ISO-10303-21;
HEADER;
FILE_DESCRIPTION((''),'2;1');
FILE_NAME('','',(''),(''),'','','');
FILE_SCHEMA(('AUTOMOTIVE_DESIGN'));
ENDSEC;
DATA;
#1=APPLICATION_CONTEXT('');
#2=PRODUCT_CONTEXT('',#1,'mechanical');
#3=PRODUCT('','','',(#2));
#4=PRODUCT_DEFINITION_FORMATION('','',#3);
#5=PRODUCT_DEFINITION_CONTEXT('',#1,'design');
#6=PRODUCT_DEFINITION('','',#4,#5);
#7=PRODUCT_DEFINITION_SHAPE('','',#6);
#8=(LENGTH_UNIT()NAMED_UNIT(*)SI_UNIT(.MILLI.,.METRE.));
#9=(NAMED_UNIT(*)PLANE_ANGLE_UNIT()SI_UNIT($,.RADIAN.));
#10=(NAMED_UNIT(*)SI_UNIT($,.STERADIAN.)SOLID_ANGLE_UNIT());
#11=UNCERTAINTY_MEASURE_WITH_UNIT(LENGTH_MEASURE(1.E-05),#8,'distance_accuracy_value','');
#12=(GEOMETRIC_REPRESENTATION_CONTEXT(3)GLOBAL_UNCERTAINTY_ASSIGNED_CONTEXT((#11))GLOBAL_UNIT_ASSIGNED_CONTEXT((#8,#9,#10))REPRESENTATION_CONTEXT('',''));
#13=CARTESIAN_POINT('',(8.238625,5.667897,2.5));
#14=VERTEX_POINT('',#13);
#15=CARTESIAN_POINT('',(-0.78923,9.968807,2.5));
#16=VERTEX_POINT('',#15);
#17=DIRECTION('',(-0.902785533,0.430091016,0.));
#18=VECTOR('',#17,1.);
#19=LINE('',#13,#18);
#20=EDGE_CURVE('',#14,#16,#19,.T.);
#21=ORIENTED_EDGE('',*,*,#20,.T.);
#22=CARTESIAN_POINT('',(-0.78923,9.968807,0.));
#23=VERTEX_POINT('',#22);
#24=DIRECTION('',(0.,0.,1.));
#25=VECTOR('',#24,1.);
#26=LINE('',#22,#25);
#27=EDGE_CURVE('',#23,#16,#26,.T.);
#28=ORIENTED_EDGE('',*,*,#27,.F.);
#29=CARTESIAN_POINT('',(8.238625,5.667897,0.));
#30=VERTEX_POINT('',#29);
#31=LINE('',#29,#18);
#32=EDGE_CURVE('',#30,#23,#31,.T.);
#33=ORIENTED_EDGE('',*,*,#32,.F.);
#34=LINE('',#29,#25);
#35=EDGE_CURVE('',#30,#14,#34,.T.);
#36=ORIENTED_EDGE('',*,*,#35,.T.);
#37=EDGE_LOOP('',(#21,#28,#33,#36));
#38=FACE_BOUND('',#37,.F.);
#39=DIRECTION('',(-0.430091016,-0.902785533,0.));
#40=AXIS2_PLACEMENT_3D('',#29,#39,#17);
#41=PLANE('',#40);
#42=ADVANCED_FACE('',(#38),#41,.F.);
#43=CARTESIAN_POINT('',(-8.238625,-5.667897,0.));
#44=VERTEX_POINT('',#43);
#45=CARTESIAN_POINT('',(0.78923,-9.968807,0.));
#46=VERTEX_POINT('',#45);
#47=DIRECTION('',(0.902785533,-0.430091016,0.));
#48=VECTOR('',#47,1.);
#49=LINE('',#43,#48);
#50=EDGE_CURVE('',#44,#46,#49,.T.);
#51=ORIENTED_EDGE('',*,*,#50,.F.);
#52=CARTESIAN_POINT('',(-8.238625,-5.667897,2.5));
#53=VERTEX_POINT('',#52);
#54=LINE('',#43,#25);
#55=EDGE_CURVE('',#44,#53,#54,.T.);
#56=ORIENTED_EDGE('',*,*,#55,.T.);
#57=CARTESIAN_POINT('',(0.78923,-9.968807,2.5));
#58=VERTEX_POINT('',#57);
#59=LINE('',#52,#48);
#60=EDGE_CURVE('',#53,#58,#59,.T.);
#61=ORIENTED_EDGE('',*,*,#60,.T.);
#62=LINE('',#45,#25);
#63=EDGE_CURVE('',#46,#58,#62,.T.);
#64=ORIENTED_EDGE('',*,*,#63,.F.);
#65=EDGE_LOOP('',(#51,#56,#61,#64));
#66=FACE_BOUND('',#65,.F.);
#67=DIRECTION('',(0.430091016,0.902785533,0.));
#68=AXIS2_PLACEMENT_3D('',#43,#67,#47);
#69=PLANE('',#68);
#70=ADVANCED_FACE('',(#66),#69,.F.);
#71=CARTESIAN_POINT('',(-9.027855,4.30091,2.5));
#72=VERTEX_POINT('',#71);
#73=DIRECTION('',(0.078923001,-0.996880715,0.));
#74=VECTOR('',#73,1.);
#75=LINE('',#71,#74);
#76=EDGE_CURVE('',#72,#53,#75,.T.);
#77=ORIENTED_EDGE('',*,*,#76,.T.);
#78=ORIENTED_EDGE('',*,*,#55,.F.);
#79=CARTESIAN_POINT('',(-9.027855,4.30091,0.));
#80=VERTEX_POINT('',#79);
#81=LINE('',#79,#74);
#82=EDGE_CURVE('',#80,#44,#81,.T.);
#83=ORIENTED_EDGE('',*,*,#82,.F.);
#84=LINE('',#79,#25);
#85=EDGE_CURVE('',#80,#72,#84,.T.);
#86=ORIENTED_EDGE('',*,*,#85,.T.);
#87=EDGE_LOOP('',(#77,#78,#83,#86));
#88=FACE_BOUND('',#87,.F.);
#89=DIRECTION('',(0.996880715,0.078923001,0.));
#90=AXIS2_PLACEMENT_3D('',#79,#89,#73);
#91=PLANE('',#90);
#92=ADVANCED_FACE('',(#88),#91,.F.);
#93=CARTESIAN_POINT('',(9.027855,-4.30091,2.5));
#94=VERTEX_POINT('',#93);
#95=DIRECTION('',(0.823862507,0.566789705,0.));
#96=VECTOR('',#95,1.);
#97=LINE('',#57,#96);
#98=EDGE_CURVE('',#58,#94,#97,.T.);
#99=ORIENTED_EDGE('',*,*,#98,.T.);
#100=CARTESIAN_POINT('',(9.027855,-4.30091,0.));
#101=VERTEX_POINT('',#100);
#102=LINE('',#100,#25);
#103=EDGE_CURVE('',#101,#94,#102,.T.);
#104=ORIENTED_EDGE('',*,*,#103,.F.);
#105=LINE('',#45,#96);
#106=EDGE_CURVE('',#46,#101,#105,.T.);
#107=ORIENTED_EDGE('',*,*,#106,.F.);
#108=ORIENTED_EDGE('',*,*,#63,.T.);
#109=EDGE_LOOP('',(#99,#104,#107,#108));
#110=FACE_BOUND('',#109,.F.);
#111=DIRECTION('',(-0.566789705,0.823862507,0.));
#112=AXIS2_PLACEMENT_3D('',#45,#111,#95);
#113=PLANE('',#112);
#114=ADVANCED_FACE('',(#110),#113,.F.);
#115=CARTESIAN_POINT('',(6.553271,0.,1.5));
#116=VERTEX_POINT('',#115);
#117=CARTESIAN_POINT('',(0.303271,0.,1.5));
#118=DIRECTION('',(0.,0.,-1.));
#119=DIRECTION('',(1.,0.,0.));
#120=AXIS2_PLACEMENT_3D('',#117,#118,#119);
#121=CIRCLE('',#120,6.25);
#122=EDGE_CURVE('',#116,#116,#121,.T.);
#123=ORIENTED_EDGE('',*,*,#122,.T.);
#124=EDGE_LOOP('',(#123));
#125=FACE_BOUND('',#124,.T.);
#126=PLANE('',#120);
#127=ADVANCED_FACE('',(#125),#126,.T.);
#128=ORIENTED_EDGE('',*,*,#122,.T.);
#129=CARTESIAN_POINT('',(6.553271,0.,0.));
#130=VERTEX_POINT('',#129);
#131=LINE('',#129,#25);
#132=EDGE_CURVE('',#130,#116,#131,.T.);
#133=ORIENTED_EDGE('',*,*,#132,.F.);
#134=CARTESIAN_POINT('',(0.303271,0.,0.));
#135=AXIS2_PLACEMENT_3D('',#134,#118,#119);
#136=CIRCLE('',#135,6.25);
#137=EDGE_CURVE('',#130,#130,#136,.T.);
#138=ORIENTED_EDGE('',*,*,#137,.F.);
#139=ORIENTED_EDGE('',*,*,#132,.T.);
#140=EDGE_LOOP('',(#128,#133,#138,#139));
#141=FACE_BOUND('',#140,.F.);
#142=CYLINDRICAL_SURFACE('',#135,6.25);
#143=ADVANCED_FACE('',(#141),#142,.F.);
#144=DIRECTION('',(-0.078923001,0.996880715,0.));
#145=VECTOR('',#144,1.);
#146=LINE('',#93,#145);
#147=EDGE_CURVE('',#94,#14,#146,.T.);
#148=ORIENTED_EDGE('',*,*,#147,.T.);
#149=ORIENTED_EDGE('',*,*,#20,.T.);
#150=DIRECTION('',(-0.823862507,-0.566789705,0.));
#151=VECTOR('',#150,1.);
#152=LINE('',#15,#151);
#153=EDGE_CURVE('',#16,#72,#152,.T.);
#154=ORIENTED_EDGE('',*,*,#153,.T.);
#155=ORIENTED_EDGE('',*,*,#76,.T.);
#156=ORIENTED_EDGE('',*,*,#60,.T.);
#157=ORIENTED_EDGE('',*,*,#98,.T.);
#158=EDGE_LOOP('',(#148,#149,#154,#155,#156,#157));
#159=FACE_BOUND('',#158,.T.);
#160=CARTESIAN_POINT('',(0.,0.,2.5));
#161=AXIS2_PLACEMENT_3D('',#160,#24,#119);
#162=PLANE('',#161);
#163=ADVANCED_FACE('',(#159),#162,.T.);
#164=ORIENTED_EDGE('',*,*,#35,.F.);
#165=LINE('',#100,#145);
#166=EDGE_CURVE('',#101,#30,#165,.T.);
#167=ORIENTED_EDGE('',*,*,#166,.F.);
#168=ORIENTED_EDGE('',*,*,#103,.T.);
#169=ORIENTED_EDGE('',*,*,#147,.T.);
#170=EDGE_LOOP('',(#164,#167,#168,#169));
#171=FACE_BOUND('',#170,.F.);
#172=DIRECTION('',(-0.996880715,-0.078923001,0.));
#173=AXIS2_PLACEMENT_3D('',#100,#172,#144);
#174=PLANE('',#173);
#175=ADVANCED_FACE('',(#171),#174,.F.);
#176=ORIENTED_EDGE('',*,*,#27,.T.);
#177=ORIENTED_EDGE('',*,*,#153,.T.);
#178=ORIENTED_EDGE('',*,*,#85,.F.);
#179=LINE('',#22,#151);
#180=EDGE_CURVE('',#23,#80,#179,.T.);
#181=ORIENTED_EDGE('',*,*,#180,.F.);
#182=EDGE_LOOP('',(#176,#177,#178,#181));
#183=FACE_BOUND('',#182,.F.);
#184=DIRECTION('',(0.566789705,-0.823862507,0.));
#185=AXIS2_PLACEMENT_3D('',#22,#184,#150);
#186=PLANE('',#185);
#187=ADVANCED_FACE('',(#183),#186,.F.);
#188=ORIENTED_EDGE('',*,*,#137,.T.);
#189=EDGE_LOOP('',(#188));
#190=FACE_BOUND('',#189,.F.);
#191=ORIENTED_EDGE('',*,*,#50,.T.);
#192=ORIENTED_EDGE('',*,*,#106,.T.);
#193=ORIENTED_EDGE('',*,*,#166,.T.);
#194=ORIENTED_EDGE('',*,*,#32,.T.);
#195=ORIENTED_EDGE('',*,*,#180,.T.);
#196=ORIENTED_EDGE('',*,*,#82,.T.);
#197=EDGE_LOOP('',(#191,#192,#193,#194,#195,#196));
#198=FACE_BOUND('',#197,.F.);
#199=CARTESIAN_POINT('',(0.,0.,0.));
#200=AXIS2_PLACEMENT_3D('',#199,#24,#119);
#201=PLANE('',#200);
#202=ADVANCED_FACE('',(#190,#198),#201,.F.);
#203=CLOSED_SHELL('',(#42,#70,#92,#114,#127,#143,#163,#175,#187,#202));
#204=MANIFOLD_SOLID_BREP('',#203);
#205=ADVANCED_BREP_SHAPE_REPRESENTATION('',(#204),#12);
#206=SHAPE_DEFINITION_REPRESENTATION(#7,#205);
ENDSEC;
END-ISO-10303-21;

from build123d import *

# Parameters (mm, degrees)
F0_R     = 6.25
F1_DEPTH = 2.5
F2_R     = 6.25
F3_DEPTH = 1.5


with BuildPart() as f1:
    # F0 (on Top) → F1 (new body)
    with BuildSketch(Plane.XY):
        Polygon((9.027855, -4.30091), (8.238625, 5.667897), (-0.78923, 9.968807), (-9.027855, 4.30091), (-8.238625, -5.667897), (0.78923, -9.968807), align=None)
        Circle(F0_R, mode=Mode.SUBTRACT)
        Circle(F0_R)
    extrude(amount=F1_DEPTH)

    # F2 (on face) → F3 (cut)
    with BuildSketch(Plane(origin=(0, 0, 0), x_dir=(1, 0, 0), z_dir=(0, 0, -1))):
        with Locations((0.303271, 0)):
            Circle(F2_R)
    extrude(amount=-F3_DEPTH, mode=Mode.SUBTRACT)


solid = f1.part
